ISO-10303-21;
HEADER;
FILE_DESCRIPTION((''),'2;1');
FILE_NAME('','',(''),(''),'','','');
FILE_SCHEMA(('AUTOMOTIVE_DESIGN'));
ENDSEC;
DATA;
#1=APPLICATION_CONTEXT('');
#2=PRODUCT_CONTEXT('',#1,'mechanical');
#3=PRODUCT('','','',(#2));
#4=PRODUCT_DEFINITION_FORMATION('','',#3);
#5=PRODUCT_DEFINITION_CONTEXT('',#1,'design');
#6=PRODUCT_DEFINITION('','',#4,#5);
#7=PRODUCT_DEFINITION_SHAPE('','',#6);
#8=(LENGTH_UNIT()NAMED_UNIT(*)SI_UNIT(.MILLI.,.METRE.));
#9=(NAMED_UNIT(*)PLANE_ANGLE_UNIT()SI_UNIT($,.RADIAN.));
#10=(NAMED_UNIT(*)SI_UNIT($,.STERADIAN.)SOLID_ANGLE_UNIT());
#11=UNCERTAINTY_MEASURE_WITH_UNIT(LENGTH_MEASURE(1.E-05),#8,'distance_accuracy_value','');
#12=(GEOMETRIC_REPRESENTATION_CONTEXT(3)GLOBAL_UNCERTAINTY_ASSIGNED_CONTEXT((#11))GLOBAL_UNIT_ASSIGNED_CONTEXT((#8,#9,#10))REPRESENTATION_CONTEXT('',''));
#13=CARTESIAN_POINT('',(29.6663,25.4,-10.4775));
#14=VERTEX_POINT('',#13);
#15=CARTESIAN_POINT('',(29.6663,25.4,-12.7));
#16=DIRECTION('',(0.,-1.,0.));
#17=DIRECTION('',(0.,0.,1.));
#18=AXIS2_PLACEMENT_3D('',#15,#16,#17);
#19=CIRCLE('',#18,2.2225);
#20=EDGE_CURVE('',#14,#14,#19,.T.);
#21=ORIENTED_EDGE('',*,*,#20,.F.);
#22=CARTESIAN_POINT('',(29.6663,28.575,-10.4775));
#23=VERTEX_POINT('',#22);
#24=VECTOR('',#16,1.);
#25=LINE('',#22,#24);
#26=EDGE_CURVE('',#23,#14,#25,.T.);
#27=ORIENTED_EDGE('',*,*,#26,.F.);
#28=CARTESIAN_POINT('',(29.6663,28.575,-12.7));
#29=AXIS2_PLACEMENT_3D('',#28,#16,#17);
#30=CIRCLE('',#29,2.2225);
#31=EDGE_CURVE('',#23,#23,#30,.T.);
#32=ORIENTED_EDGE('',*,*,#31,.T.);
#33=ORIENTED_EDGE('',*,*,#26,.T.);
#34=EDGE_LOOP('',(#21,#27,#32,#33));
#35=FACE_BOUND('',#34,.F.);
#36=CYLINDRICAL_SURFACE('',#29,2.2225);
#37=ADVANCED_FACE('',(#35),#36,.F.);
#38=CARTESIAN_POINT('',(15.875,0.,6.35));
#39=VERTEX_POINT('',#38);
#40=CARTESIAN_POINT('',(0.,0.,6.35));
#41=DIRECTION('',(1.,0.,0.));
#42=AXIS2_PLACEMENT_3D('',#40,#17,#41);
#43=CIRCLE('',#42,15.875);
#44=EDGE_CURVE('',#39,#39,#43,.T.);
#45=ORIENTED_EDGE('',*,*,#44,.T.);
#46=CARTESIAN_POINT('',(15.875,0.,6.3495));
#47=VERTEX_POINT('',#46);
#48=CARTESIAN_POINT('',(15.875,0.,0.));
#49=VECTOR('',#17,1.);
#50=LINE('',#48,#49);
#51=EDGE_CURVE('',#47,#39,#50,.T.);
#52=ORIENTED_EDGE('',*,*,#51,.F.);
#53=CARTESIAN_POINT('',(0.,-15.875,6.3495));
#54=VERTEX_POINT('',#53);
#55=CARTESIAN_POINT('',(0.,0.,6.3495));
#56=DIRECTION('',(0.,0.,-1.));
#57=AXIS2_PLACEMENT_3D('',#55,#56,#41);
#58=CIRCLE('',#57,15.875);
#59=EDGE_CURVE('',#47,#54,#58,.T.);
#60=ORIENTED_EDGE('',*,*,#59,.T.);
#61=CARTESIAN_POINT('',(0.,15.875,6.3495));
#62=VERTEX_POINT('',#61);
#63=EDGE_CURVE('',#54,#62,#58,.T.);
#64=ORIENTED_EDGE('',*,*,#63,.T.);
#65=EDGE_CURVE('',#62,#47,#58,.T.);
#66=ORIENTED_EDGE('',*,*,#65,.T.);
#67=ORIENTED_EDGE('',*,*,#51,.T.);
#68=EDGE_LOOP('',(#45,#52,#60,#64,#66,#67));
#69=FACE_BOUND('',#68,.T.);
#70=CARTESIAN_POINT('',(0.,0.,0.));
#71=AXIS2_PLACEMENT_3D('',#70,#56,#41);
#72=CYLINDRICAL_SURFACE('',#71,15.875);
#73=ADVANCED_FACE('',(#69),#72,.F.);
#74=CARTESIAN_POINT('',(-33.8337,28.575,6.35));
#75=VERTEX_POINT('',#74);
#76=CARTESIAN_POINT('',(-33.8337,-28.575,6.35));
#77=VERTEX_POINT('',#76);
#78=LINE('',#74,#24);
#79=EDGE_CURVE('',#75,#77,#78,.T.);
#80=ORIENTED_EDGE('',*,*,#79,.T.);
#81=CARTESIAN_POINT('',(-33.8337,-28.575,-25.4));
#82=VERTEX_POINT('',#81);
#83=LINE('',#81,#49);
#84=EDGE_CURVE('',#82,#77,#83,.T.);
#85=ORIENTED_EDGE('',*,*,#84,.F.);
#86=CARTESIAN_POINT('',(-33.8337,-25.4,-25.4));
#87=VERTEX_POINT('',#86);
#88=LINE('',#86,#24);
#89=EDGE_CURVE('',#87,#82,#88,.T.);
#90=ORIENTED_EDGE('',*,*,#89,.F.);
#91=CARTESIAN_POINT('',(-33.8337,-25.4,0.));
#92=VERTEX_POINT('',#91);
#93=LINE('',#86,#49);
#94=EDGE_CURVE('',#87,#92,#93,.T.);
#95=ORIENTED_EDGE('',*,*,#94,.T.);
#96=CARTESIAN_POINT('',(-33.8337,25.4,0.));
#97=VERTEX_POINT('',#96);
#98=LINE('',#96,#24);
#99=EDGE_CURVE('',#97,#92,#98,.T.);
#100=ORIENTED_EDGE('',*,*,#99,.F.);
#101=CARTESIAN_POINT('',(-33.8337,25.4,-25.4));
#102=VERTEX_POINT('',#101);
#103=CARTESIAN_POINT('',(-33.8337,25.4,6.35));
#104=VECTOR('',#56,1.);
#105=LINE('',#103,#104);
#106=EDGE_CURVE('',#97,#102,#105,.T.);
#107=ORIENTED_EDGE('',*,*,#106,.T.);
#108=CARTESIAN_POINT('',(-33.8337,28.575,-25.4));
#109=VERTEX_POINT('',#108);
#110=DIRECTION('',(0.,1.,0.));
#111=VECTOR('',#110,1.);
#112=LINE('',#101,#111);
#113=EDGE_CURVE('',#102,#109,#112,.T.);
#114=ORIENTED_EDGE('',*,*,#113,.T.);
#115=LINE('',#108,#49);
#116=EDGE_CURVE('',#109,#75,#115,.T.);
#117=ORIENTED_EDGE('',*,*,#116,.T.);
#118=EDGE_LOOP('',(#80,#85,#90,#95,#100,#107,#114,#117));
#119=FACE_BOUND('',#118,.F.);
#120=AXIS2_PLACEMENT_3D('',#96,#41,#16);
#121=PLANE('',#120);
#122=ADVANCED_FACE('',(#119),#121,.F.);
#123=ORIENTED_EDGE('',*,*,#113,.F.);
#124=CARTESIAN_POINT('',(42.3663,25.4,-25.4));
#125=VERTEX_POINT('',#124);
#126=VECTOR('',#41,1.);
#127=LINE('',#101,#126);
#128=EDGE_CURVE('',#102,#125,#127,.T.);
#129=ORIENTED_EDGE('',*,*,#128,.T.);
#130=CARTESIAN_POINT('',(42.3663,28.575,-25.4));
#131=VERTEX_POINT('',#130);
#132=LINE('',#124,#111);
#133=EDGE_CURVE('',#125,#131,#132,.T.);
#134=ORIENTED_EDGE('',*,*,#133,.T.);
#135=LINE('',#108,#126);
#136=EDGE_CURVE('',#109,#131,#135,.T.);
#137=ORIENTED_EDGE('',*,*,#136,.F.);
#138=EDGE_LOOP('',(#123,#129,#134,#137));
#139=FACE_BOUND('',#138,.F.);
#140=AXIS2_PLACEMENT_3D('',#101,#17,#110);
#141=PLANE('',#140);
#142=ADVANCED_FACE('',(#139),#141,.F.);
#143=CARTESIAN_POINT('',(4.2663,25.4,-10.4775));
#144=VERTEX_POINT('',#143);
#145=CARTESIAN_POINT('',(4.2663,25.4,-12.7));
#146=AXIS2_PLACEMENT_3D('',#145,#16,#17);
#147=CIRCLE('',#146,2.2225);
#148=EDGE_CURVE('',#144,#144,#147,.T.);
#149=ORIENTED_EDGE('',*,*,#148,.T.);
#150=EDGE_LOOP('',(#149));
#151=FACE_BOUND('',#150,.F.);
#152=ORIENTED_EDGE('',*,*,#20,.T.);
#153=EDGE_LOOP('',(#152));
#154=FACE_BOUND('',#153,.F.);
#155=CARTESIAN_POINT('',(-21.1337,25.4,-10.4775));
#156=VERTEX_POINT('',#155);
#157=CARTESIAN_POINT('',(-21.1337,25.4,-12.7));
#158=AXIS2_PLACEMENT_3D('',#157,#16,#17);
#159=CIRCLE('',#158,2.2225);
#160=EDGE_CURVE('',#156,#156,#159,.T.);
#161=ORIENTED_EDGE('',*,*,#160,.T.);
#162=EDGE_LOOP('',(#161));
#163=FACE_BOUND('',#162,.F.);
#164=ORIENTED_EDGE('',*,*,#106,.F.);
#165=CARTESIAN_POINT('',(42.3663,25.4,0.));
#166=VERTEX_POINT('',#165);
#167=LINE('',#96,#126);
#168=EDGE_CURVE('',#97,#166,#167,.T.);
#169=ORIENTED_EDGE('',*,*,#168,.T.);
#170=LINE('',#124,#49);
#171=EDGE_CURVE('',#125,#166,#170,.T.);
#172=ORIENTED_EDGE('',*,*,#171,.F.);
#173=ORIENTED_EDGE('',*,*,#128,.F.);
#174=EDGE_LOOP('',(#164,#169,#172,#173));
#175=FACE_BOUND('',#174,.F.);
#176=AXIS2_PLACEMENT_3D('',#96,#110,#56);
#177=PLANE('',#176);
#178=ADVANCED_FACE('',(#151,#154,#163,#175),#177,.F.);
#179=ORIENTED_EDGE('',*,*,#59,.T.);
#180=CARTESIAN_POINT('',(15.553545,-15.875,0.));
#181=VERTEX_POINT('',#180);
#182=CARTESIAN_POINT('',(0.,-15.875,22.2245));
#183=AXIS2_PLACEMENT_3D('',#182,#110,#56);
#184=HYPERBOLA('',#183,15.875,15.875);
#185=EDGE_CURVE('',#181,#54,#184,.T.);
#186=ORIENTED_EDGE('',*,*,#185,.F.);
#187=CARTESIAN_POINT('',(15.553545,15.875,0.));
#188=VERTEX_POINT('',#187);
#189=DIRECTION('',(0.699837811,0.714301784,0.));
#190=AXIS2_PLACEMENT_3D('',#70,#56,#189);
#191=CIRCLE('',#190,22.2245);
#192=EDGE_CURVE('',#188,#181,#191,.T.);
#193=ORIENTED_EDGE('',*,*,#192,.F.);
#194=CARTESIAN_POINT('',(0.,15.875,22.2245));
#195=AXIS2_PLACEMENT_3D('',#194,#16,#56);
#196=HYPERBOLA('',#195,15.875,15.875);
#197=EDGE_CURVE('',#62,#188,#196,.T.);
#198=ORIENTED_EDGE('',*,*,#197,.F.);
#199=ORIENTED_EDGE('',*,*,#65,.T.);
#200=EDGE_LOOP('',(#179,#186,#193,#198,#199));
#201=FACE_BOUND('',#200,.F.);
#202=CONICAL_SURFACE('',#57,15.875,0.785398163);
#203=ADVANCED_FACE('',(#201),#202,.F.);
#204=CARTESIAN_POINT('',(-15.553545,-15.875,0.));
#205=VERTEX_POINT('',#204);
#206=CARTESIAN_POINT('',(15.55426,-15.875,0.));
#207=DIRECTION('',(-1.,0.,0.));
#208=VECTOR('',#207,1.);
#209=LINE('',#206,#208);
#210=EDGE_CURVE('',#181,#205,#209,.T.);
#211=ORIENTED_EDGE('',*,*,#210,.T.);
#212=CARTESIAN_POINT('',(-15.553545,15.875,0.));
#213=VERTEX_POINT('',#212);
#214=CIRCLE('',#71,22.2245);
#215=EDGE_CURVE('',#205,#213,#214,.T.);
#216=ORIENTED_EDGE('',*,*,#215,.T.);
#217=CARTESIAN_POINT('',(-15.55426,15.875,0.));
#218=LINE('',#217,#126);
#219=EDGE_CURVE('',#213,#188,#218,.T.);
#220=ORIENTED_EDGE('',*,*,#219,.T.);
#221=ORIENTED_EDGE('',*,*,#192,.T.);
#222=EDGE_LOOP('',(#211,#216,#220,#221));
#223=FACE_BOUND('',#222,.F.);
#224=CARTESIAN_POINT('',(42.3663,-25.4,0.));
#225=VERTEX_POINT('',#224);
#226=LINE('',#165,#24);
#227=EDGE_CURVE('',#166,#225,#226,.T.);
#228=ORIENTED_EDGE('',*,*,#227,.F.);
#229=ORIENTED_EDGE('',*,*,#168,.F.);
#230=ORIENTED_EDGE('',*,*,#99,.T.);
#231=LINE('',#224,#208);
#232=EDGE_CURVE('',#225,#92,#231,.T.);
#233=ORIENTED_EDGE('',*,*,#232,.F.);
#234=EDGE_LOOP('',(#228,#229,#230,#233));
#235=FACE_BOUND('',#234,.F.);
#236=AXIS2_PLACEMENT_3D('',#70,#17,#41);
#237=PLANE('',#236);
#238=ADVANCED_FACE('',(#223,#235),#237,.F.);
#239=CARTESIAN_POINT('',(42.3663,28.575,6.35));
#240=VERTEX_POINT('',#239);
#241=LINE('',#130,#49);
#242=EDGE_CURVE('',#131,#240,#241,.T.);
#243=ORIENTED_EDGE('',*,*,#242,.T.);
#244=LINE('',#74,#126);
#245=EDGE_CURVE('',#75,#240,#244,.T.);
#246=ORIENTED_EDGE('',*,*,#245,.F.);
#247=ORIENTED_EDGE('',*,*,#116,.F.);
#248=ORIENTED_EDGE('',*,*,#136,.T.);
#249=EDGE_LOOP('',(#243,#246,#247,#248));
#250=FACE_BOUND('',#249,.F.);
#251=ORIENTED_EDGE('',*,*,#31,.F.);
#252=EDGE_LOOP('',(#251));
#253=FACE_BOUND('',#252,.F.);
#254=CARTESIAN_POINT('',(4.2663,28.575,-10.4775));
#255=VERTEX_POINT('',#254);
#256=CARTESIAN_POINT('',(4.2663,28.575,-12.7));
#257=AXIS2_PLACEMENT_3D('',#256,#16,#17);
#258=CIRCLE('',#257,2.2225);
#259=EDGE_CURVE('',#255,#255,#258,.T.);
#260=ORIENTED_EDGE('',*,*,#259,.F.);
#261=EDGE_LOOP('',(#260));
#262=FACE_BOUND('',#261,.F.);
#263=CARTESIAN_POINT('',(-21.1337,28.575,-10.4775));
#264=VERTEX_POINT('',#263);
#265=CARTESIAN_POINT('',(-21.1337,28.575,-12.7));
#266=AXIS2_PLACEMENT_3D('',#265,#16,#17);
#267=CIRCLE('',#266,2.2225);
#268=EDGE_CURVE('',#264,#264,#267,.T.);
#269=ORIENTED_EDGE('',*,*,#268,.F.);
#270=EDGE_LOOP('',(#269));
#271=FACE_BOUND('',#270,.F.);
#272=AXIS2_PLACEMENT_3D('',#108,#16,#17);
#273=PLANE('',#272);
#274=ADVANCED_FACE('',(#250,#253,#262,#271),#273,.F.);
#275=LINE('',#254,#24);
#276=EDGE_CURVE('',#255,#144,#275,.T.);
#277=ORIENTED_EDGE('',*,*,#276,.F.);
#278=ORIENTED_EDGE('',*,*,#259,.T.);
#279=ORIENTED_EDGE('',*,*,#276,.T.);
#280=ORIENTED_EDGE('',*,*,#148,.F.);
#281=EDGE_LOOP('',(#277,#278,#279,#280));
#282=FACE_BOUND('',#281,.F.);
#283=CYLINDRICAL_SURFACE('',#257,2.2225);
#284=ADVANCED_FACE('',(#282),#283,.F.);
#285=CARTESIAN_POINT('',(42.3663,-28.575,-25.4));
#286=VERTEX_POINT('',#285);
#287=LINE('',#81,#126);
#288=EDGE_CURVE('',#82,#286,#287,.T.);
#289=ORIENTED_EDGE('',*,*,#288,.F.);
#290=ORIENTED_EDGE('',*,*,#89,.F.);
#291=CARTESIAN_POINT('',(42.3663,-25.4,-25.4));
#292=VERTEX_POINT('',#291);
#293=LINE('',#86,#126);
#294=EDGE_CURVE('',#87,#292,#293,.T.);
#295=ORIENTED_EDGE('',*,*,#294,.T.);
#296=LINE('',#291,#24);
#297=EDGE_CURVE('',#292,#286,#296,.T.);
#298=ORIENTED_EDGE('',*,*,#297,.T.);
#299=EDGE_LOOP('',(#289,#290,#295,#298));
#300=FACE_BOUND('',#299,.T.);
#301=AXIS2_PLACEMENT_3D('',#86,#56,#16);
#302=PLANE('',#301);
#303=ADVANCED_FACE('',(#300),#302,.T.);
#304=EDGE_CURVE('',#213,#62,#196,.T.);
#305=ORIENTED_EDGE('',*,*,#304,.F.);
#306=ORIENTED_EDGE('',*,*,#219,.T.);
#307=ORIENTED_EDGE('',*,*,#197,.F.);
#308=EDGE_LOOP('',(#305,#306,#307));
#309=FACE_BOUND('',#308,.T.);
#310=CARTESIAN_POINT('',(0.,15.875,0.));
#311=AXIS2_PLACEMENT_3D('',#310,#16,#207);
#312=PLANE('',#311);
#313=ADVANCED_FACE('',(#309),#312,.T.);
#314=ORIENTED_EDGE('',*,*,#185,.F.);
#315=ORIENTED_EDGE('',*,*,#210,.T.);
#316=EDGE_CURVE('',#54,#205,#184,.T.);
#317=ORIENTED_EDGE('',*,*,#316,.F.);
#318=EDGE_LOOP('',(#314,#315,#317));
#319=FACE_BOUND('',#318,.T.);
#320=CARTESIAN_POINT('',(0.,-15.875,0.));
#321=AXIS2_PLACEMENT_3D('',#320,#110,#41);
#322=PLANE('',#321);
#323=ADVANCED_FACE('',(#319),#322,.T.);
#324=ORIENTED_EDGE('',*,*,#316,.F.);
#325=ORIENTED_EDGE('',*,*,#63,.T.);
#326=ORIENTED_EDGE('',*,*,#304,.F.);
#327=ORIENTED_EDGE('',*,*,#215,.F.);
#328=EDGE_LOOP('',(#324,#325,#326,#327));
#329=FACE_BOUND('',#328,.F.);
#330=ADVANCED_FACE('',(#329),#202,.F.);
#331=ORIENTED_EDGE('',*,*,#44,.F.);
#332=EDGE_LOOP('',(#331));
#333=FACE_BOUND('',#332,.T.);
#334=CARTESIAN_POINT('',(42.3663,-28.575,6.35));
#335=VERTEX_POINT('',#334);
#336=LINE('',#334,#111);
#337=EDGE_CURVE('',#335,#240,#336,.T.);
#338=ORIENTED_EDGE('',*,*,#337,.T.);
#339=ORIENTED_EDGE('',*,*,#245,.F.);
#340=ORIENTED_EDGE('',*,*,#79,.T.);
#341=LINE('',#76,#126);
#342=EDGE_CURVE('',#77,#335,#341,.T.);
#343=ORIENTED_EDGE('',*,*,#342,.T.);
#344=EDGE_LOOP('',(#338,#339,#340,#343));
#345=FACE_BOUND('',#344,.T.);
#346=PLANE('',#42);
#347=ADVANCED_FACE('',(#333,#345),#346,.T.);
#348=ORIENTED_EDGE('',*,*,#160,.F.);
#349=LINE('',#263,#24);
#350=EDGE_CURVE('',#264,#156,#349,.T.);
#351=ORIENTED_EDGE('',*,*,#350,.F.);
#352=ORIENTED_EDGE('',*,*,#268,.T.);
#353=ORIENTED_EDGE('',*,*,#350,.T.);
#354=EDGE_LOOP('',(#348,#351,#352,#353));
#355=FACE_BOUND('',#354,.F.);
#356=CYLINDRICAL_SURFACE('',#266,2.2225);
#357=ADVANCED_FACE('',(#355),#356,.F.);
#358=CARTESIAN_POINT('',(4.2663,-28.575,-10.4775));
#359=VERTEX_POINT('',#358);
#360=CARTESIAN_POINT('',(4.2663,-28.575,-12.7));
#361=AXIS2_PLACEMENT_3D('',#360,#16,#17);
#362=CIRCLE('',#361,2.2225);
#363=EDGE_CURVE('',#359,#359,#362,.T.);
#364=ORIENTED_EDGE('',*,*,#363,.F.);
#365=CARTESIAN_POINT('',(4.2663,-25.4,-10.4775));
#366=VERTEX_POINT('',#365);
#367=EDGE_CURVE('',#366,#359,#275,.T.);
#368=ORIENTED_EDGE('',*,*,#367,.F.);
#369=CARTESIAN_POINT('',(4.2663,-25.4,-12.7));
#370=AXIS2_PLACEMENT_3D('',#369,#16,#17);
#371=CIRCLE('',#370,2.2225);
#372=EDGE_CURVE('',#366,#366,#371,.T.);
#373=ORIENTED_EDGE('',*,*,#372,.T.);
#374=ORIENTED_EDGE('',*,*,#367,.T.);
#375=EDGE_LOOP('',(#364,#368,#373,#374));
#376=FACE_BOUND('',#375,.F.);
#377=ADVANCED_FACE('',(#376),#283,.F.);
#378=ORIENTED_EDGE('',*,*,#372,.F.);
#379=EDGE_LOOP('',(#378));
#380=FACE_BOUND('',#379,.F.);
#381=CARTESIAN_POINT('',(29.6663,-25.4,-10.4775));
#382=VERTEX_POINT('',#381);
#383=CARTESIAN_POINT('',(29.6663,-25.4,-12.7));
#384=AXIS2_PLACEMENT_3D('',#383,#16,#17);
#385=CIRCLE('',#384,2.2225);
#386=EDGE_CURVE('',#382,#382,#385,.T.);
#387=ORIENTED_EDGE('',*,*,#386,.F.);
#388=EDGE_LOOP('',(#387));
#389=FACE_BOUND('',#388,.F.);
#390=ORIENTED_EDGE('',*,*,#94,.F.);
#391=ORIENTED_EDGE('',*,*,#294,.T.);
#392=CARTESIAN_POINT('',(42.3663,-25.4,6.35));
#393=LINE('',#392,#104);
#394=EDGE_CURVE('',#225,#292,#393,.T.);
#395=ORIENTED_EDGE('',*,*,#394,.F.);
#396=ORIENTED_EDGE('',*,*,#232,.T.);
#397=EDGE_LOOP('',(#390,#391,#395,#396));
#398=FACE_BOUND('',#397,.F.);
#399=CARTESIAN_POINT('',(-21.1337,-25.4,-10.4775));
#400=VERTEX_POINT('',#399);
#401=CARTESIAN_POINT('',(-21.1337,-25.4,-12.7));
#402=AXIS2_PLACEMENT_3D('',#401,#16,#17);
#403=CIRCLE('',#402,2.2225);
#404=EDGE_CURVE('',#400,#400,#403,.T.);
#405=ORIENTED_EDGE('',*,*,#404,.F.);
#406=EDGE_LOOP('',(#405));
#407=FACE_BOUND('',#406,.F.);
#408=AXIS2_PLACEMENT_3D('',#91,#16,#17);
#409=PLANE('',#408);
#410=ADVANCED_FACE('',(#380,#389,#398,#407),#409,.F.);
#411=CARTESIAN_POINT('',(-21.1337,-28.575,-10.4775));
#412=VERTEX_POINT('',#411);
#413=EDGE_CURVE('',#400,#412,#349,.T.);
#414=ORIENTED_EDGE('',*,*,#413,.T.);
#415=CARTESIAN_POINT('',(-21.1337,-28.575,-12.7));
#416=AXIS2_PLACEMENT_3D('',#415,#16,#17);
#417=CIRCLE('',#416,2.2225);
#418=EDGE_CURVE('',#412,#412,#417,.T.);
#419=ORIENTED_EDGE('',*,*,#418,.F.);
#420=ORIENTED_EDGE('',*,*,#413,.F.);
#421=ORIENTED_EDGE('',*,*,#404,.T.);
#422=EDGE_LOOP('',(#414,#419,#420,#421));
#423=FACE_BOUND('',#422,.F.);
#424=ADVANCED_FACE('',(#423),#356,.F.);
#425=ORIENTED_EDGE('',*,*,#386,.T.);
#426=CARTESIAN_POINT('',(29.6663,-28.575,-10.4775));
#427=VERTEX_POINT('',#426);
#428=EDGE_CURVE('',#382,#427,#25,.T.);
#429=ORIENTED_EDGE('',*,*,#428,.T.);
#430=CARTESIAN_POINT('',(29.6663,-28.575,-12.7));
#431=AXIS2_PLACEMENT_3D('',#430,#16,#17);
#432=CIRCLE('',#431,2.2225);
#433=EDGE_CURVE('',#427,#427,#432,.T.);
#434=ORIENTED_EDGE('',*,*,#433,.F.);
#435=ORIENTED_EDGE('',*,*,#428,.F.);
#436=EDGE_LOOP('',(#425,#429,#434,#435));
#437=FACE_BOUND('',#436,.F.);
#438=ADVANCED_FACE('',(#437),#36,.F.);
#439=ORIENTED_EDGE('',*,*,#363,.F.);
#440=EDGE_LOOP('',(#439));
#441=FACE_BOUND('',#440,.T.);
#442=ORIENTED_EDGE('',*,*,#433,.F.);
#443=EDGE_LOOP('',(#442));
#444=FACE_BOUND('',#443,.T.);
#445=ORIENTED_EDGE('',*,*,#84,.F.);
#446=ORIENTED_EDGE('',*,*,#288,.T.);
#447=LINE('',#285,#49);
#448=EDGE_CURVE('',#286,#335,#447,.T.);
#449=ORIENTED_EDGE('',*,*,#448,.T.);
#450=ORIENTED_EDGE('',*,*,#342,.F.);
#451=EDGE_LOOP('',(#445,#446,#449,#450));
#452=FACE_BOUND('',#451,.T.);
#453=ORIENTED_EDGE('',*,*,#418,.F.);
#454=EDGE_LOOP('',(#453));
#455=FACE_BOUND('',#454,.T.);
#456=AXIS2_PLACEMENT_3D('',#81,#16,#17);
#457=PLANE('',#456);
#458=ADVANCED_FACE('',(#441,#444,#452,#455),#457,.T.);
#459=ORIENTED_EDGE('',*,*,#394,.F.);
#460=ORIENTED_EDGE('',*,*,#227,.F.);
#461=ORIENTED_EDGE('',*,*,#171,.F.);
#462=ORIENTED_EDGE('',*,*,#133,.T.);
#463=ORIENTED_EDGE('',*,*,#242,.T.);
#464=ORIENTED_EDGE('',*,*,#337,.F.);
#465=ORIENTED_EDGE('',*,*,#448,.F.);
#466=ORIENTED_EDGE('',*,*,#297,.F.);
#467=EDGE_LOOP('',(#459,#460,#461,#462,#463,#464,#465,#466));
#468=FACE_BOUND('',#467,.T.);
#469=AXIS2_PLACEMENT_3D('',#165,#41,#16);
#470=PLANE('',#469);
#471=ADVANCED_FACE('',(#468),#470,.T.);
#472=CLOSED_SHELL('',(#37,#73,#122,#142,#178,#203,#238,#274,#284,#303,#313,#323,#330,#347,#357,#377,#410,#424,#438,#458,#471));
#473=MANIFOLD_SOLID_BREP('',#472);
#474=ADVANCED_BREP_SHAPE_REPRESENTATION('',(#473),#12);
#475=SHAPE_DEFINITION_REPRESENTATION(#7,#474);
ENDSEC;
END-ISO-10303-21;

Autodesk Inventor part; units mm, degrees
ref_plane "YZ Plane" through (0, 0, 0) normal (1, 0, 0) x (0, 1, 0)
ref_plane "XZ Plane" through (0, 0, 0) normal (0, 1, 0) x (-1, 0, 0)
ref_plane "XY Plane" through (0, 0, 0) normal (0, 0, 1) x (1, 0, 0)
sketch "Sketch1" plane through (0, 0, 0) normal (0, 0, 1) x (1, 0, 0)
  circle A0 centre (0, 0) radius 15.875
  line L0 (0, 15.875) -> (0, 25.4)
  line L1 (0, 25.4) -> (-33.8337, 25.4)
  line L2 (-33.8337, 25.4) -> (-33.8337, -25.4)
  line L3 (-33.8337, -25.4) -> (0, -25.4)
  line L4 (0, -25.4) -> (0, -15.875)
  line L5 (0, -15.875) -> (0, 15.875)
  line L6 (0, 25.4) -> (42.3663, 25.4)
  line L7 (42.3663, 25.4) -> (42.3663, -25.4)
  line L8 (42.3663, -25.4) -> (0, -25.4)
  line L9 (0, -25.4) -> (0, 25.4)
  line L10 (4.2663, 25.4) -> (4.2663, -25.4) construction
  line L11 (-21.1337, 25.4) -> (-21.1337, -25.4) construction
  line L12 (29.6663, 25.4) -> (29.6663, -25.4) construction
  dimension "d0" = 31.75
  dimension "d1" = 50.8
  dimension "d3" = 4.2663
  dimension "d6" = 38.1
  dimension "d7" = 38.1
  dimension "d8" = 25.4
  dimension "d9" = 25.4
extrude "Extrusion1" add sketch "Sketch1" along normal blind 6.35 contours A0 L0 L6 L7 L8 L4 | A0 L4 L3 L2 L1 L0
chamfer "Chamfer1" distance 6.35 distance2 6.35 1 edges at (-15.875, 0, 0) measured on face at (15.8235, -1.2774, 4.2333)
sketch "Sketch2" plane through (-33.8337, -25.4, 0) normal (-1, 0, 0) x (0, 0, 1)
  line L0 (0, 0) -> (6.35, 0) projected
  line L1 (6.35, 0) -> (-25.4, 0)
  line L2 (-25.4, 0) -> (-25.4, -3.175)
  line L3 (-25.4, -3.175) -> (6.35, -3.175)
  line L4 (6.35, -3.175) -> (6.35, 0)
  line L5 (6.35, 50.8) -> (-25.4, 50.8)
  line L6 (-25.4, 50.8) -> (-25.4, 53.975)
  line L7 (-25.4, 53.975) -> (6.35, 53.975)
  line L8 (6.35, 53.975) -> (6.35, 50.8)
  line L9 (0, 50.8) -> (0, 0) projected
  point P0 (0, 25.4)
  dimension "d15" = 3.175
  dimension "d16" = 25.4
extrude "Extrusion2" add sketch "Sketch2" against normal up to surface (76.2 mm away)
sketch "Sketch3" plane through (-33.8337, 28.575, 6.35) normal (0, 1, 0) x (1, 0, 0)
  line L0 (0, 0) -> (0, 31.75) projected
  line L1 (0, 31.75) -> (76.2, 31.75) projected
  point P0 (33.8337, 6.35)
  point P1 (12.7, 19.05)
  point P2 (38.1, 19.05)
  point P3 (63.5, 19.05)
  dimension "d19" = 12.7
  dimension "d20" = 25.4
  dimension "d21" = 25.4
  dimension "d22" = 12.7
hole "Hole1" at (-21.1337, 28.575, -12.7) at (4.2663, 28.575, -12.7) at (29.6663, 28.575, -12.7) direction (0, -1, 0) diameter 4.445 end through all
sketch "Sketch4" plane through (0, 0, 0) normal (0, 0, -1) x (-1, 0, 0)
  line L0 (22.225, -15.875) -> (-22.225, -15.875)
  line L1 (-22.225, -15.875) -> (-22.225, 15.875)
  line L2 (-22.225, 15.875) -> (22.225, 15.875)
  line L3 (22.225, 15.875) -> (22.225, -15.875)
  line L4 (22.225, -15.875) -> (-22.225, 15.875) construction
  line L5 (-22.225, -15.875) -> (22.225, 15.875) construction
  circle A0 centre (0, 0) radius 15.875 projected
  circle A1 centre (0, 0) radius 22.225 projected
  point P0 (15.5543, 15.875)
  point P1 (-15.5543, 15.875)
  point P2 (-15.5543, -15.875)
  point P3 (15.5543, -15.875)
extrude "Extrusion3" add sketch "Sketch4" against normal up to surface (6.35 mm away) contours A1 L0 | L2 A1
properties part number "Outer Channel Guide"
